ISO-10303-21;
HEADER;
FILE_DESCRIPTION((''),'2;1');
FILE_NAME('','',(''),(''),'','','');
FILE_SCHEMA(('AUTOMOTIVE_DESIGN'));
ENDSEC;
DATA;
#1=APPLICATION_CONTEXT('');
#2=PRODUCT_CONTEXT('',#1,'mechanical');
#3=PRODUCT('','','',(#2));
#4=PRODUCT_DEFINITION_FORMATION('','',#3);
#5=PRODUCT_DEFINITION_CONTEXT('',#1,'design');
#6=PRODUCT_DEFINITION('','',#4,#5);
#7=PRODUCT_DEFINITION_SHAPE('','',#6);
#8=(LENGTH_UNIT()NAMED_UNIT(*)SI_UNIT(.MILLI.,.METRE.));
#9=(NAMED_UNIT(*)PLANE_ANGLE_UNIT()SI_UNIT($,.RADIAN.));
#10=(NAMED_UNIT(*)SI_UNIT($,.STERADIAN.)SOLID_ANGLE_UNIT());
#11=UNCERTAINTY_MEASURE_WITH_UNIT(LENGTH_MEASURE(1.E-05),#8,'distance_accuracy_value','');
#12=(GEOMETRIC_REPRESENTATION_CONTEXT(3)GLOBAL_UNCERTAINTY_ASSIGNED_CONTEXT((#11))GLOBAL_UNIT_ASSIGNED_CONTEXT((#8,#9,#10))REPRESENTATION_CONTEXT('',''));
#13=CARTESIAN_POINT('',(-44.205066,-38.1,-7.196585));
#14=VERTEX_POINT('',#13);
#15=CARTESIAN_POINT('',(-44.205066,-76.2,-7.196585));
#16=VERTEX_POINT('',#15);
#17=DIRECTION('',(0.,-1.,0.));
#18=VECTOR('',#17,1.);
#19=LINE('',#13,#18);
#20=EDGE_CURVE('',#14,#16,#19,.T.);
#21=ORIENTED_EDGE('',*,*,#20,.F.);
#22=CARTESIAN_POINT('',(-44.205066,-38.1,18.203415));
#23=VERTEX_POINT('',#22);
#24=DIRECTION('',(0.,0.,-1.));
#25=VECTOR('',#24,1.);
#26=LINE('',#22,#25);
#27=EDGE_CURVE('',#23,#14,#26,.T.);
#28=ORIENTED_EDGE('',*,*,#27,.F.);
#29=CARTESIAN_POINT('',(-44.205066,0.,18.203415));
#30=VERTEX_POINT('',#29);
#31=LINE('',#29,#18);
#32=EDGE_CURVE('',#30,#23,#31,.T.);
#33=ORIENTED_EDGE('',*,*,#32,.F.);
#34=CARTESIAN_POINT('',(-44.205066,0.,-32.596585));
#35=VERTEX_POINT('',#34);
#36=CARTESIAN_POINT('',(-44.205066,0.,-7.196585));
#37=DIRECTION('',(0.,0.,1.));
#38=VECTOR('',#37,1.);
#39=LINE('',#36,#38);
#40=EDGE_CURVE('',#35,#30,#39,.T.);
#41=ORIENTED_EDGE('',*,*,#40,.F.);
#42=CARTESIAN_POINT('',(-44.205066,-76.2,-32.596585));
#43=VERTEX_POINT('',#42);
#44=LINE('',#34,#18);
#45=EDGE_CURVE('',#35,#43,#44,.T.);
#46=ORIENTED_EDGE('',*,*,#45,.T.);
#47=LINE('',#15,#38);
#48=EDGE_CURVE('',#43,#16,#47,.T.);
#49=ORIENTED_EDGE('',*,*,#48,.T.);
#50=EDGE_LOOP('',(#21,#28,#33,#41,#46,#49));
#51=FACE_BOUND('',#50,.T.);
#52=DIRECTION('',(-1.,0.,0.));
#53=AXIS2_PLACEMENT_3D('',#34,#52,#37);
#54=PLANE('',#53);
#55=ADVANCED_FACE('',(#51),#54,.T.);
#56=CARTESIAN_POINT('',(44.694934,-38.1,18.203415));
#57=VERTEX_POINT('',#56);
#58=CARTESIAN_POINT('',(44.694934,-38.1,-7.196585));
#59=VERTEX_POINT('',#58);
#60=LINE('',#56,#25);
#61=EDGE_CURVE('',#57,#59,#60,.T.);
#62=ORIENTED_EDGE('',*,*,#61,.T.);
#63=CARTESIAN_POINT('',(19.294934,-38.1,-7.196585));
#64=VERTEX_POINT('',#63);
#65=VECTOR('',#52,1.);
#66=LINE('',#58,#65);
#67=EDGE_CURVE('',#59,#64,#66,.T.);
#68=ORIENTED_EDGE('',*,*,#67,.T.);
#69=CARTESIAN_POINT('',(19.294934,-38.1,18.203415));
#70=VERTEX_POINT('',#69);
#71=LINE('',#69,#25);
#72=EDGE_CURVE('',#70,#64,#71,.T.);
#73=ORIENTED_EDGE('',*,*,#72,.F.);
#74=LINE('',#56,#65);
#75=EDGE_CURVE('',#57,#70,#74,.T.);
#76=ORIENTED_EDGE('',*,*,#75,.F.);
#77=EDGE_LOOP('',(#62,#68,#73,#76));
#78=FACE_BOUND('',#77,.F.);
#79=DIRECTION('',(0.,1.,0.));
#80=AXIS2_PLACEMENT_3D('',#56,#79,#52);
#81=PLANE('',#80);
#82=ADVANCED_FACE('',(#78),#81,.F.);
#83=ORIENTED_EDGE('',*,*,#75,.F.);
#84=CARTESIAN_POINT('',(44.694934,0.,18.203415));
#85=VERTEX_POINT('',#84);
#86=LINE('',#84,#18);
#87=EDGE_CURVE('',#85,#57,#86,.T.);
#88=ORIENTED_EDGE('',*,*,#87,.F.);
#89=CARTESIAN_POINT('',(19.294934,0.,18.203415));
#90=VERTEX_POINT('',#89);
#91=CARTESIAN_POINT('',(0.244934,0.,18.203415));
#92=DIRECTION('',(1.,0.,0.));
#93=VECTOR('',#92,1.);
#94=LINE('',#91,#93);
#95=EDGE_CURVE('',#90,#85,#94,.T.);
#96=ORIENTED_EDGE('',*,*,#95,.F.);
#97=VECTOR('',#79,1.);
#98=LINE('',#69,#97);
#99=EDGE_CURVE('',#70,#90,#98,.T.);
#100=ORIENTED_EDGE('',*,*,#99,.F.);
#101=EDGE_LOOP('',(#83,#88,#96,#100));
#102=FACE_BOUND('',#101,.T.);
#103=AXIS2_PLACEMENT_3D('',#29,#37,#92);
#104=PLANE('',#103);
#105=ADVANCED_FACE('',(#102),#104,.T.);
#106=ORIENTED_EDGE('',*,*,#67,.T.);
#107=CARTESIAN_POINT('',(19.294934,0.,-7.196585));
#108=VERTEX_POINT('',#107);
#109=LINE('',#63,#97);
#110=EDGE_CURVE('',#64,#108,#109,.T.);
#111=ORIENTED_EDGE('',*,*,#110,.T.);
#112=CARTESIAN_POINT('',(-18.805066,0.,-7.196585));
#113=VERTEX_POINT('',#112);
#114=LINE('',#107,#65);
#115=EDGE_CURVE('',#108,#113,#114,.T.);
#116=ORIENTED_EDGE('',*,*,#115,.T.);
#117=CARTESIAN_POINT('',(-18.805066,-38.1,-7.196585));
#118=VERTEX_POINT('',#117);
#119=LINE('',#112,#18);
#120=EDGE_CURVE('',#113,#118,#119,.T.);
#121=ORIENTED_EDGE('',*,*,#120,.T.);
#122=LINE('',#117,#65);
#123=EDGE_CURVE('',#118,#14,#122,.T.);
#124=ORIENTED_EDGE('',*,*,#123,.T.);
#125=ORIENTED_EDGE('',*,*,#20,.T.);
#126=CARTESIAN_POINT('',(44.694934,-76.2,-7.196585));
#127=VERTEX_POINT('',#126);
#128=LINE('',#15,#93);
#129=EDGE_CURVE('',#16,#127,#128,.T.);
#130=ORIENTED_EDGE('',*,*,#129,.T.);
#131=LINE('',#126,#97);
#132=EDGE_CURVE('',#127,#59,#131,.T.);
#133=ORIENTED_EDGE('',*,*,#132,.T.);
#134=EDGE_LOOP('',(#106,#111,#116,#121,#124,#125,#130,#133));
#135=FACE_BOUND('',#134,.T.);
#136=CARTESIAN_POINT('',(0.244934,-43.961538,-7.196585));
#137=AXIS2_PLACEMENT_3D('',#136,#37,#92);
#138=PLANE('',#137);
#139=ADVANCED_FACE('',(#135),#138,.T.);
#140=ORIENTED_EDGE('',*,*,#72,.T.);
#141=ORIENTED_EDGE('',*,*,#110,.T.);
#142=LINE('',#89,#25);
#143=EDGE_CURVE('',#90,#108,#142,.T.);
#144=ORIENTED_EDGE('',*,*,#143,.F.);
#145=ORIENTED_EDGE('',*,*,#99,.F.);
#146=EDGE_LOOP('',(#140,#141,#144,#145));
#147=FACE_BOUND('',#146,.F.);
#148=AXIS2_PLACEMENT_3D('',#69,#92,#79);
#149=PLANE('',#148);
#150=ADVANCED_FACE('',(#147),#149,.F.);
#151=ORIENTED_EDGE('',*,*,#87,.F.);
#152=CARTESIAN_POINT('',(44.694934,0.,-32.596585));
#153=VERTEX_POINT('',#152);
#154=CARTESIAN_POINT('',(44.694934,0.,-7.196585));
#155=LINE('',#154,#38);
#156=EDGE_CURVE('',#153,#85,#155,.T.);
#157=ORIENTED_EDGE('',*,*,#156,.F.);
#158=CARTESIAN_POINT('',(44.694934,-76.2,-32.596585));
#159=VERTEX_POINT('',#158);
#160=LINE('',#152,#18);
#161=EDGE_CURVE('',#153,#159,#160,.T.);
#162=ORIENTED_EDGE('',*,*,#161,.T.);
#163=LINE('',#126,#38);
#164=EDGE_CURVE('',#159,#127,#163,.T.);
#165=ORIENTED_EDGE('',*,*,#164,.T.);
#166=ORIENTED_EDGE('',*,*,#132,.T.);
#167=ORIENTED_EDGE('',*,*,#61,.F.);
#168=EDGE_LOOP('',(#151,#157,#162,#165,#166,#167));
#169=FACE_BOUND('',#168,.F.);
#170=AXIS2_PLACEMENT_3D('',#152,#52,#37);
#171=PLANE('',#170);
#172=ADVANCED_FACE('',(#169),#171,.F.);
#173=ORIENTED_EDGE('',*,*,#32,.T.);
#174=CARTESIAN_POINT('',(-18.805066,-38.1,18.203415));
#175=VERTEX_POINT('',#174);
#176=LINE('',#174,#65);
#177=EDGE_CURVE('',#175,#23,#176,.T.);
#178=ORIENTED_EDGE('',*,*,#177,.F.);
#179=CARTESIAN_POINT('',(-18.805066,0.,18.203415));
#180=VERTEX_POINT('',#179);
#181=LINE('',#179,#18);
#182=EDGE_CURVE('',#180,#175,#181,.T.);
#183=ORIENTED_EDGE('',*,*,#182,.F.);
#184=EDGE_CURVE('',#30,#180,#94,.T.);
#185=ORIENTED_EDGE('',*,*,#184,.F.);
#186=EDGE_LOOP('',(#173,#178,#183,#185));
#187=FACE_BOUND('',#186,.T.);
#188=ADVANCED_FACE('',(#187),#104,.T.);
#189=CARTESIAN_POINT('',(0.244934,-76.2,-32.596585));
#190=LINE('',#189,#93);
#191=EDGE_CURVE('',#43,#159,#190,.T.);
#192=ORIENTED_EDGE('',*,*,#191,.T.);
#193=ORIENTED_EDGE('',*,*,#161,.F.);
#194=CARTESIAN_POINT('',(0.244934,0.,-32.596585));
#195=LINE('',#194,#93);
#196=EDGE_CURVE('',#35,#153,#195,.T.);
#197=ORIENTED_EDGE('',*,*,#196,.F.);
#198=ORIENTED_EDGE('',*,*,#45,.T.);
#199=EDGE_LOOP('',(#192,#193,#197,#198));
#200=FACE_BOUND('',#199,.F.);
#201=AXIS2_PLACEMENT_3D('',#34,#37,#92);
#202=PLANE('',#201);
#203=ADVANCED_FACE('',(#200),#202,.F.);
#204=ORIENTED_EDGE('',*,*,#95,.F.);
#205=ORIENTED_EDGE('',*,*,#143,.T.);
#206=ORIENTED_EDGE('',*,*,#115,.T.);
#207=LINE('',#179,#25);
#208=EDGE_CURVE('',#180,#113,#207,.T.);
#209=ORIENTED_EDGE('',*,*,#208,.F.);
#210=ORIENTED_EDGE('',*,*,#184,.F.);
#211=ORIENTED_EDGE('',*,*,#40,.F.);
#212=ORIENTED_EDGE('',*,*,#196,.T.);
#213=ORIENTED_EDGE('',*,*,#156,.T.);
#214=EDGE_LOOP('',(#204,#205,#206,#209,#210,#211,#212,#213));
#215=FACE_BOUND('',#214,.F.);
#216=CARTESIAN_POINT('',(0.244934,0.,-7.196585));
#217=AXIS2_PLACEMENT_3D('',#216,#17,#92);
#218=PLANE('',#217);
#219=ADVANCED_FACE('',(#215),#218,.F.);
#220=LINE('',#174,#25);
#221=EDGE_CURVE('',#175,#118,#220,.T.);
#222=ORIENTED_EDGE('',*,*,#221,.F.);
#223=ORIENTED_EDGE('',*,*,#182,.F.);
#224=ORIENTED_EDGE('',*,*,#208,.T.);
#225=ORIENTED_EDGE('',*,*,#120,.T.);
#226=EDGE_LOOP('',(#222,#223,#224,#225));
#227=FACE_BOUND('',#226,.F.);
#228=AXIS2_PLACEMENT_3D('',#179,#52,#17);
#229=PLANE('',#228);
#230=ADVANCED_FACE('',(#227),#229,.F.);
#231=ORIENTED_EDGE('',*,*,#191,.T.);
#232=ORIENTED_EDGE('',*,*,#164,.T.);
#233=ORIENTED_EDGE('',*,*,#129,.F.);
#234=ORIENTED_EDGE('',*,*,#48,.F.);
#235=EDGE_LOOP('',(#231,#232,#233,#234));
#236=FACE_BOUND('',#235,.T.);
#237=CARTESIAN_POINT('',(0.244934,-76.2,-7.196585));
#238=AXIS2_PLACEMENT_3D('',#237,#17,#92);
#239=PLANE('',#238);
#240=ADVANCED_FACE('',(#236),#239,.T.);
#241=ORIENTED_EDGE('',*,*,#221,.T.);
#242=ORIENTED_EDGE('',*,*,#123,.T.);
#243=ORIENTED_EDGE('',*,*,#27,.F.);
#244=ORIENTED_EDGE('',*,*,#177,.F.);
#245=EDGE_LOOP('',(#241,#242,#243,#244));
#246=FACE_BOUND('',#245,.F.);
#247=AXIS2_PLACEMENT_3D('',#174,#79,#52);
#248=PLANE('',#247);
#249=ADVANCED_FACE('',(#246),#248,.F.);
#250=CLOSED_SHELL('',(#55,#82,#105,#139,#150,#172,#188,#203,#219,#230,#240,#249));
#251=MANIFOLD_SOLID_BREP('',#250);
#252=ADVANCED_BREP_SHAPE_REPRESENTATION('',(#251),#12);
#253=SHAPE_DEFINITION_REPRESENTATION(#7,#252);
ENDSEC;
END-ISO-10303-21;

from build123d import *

# Parameters (mm, degrees)
F0_W     = 88.9
F0_H     = 50.8
F1_DEPTH = 76.2
F3_DEPTH = 25.4


with BuildPart() as f1:
    # F0 (on Front) → F1 (new body)
    with BuildSketch(Plane.XZ):
        with Locations((0.244934, -7.196585)):
            Rectangle(F0_W, F0_H)
    extrude(amount=F1_DEPTH)

    # F2 (on face) → F3 (cut)
    with BuildSketch(Plane.XY.offset(18.203415)):
        Polygon((19.294934, 0), (-18.805066, 0), (-18.805066, -38.1), (-44.205066, -38.1), (-44.205066, -76.2), (44.694934, -76.2), (44.694934, -38.1), (19.294934, -38.1), align=None)
    extrude(amount=-F3_DEPTH, mode=Mode.SUBTRACT)


solid = f1.part
